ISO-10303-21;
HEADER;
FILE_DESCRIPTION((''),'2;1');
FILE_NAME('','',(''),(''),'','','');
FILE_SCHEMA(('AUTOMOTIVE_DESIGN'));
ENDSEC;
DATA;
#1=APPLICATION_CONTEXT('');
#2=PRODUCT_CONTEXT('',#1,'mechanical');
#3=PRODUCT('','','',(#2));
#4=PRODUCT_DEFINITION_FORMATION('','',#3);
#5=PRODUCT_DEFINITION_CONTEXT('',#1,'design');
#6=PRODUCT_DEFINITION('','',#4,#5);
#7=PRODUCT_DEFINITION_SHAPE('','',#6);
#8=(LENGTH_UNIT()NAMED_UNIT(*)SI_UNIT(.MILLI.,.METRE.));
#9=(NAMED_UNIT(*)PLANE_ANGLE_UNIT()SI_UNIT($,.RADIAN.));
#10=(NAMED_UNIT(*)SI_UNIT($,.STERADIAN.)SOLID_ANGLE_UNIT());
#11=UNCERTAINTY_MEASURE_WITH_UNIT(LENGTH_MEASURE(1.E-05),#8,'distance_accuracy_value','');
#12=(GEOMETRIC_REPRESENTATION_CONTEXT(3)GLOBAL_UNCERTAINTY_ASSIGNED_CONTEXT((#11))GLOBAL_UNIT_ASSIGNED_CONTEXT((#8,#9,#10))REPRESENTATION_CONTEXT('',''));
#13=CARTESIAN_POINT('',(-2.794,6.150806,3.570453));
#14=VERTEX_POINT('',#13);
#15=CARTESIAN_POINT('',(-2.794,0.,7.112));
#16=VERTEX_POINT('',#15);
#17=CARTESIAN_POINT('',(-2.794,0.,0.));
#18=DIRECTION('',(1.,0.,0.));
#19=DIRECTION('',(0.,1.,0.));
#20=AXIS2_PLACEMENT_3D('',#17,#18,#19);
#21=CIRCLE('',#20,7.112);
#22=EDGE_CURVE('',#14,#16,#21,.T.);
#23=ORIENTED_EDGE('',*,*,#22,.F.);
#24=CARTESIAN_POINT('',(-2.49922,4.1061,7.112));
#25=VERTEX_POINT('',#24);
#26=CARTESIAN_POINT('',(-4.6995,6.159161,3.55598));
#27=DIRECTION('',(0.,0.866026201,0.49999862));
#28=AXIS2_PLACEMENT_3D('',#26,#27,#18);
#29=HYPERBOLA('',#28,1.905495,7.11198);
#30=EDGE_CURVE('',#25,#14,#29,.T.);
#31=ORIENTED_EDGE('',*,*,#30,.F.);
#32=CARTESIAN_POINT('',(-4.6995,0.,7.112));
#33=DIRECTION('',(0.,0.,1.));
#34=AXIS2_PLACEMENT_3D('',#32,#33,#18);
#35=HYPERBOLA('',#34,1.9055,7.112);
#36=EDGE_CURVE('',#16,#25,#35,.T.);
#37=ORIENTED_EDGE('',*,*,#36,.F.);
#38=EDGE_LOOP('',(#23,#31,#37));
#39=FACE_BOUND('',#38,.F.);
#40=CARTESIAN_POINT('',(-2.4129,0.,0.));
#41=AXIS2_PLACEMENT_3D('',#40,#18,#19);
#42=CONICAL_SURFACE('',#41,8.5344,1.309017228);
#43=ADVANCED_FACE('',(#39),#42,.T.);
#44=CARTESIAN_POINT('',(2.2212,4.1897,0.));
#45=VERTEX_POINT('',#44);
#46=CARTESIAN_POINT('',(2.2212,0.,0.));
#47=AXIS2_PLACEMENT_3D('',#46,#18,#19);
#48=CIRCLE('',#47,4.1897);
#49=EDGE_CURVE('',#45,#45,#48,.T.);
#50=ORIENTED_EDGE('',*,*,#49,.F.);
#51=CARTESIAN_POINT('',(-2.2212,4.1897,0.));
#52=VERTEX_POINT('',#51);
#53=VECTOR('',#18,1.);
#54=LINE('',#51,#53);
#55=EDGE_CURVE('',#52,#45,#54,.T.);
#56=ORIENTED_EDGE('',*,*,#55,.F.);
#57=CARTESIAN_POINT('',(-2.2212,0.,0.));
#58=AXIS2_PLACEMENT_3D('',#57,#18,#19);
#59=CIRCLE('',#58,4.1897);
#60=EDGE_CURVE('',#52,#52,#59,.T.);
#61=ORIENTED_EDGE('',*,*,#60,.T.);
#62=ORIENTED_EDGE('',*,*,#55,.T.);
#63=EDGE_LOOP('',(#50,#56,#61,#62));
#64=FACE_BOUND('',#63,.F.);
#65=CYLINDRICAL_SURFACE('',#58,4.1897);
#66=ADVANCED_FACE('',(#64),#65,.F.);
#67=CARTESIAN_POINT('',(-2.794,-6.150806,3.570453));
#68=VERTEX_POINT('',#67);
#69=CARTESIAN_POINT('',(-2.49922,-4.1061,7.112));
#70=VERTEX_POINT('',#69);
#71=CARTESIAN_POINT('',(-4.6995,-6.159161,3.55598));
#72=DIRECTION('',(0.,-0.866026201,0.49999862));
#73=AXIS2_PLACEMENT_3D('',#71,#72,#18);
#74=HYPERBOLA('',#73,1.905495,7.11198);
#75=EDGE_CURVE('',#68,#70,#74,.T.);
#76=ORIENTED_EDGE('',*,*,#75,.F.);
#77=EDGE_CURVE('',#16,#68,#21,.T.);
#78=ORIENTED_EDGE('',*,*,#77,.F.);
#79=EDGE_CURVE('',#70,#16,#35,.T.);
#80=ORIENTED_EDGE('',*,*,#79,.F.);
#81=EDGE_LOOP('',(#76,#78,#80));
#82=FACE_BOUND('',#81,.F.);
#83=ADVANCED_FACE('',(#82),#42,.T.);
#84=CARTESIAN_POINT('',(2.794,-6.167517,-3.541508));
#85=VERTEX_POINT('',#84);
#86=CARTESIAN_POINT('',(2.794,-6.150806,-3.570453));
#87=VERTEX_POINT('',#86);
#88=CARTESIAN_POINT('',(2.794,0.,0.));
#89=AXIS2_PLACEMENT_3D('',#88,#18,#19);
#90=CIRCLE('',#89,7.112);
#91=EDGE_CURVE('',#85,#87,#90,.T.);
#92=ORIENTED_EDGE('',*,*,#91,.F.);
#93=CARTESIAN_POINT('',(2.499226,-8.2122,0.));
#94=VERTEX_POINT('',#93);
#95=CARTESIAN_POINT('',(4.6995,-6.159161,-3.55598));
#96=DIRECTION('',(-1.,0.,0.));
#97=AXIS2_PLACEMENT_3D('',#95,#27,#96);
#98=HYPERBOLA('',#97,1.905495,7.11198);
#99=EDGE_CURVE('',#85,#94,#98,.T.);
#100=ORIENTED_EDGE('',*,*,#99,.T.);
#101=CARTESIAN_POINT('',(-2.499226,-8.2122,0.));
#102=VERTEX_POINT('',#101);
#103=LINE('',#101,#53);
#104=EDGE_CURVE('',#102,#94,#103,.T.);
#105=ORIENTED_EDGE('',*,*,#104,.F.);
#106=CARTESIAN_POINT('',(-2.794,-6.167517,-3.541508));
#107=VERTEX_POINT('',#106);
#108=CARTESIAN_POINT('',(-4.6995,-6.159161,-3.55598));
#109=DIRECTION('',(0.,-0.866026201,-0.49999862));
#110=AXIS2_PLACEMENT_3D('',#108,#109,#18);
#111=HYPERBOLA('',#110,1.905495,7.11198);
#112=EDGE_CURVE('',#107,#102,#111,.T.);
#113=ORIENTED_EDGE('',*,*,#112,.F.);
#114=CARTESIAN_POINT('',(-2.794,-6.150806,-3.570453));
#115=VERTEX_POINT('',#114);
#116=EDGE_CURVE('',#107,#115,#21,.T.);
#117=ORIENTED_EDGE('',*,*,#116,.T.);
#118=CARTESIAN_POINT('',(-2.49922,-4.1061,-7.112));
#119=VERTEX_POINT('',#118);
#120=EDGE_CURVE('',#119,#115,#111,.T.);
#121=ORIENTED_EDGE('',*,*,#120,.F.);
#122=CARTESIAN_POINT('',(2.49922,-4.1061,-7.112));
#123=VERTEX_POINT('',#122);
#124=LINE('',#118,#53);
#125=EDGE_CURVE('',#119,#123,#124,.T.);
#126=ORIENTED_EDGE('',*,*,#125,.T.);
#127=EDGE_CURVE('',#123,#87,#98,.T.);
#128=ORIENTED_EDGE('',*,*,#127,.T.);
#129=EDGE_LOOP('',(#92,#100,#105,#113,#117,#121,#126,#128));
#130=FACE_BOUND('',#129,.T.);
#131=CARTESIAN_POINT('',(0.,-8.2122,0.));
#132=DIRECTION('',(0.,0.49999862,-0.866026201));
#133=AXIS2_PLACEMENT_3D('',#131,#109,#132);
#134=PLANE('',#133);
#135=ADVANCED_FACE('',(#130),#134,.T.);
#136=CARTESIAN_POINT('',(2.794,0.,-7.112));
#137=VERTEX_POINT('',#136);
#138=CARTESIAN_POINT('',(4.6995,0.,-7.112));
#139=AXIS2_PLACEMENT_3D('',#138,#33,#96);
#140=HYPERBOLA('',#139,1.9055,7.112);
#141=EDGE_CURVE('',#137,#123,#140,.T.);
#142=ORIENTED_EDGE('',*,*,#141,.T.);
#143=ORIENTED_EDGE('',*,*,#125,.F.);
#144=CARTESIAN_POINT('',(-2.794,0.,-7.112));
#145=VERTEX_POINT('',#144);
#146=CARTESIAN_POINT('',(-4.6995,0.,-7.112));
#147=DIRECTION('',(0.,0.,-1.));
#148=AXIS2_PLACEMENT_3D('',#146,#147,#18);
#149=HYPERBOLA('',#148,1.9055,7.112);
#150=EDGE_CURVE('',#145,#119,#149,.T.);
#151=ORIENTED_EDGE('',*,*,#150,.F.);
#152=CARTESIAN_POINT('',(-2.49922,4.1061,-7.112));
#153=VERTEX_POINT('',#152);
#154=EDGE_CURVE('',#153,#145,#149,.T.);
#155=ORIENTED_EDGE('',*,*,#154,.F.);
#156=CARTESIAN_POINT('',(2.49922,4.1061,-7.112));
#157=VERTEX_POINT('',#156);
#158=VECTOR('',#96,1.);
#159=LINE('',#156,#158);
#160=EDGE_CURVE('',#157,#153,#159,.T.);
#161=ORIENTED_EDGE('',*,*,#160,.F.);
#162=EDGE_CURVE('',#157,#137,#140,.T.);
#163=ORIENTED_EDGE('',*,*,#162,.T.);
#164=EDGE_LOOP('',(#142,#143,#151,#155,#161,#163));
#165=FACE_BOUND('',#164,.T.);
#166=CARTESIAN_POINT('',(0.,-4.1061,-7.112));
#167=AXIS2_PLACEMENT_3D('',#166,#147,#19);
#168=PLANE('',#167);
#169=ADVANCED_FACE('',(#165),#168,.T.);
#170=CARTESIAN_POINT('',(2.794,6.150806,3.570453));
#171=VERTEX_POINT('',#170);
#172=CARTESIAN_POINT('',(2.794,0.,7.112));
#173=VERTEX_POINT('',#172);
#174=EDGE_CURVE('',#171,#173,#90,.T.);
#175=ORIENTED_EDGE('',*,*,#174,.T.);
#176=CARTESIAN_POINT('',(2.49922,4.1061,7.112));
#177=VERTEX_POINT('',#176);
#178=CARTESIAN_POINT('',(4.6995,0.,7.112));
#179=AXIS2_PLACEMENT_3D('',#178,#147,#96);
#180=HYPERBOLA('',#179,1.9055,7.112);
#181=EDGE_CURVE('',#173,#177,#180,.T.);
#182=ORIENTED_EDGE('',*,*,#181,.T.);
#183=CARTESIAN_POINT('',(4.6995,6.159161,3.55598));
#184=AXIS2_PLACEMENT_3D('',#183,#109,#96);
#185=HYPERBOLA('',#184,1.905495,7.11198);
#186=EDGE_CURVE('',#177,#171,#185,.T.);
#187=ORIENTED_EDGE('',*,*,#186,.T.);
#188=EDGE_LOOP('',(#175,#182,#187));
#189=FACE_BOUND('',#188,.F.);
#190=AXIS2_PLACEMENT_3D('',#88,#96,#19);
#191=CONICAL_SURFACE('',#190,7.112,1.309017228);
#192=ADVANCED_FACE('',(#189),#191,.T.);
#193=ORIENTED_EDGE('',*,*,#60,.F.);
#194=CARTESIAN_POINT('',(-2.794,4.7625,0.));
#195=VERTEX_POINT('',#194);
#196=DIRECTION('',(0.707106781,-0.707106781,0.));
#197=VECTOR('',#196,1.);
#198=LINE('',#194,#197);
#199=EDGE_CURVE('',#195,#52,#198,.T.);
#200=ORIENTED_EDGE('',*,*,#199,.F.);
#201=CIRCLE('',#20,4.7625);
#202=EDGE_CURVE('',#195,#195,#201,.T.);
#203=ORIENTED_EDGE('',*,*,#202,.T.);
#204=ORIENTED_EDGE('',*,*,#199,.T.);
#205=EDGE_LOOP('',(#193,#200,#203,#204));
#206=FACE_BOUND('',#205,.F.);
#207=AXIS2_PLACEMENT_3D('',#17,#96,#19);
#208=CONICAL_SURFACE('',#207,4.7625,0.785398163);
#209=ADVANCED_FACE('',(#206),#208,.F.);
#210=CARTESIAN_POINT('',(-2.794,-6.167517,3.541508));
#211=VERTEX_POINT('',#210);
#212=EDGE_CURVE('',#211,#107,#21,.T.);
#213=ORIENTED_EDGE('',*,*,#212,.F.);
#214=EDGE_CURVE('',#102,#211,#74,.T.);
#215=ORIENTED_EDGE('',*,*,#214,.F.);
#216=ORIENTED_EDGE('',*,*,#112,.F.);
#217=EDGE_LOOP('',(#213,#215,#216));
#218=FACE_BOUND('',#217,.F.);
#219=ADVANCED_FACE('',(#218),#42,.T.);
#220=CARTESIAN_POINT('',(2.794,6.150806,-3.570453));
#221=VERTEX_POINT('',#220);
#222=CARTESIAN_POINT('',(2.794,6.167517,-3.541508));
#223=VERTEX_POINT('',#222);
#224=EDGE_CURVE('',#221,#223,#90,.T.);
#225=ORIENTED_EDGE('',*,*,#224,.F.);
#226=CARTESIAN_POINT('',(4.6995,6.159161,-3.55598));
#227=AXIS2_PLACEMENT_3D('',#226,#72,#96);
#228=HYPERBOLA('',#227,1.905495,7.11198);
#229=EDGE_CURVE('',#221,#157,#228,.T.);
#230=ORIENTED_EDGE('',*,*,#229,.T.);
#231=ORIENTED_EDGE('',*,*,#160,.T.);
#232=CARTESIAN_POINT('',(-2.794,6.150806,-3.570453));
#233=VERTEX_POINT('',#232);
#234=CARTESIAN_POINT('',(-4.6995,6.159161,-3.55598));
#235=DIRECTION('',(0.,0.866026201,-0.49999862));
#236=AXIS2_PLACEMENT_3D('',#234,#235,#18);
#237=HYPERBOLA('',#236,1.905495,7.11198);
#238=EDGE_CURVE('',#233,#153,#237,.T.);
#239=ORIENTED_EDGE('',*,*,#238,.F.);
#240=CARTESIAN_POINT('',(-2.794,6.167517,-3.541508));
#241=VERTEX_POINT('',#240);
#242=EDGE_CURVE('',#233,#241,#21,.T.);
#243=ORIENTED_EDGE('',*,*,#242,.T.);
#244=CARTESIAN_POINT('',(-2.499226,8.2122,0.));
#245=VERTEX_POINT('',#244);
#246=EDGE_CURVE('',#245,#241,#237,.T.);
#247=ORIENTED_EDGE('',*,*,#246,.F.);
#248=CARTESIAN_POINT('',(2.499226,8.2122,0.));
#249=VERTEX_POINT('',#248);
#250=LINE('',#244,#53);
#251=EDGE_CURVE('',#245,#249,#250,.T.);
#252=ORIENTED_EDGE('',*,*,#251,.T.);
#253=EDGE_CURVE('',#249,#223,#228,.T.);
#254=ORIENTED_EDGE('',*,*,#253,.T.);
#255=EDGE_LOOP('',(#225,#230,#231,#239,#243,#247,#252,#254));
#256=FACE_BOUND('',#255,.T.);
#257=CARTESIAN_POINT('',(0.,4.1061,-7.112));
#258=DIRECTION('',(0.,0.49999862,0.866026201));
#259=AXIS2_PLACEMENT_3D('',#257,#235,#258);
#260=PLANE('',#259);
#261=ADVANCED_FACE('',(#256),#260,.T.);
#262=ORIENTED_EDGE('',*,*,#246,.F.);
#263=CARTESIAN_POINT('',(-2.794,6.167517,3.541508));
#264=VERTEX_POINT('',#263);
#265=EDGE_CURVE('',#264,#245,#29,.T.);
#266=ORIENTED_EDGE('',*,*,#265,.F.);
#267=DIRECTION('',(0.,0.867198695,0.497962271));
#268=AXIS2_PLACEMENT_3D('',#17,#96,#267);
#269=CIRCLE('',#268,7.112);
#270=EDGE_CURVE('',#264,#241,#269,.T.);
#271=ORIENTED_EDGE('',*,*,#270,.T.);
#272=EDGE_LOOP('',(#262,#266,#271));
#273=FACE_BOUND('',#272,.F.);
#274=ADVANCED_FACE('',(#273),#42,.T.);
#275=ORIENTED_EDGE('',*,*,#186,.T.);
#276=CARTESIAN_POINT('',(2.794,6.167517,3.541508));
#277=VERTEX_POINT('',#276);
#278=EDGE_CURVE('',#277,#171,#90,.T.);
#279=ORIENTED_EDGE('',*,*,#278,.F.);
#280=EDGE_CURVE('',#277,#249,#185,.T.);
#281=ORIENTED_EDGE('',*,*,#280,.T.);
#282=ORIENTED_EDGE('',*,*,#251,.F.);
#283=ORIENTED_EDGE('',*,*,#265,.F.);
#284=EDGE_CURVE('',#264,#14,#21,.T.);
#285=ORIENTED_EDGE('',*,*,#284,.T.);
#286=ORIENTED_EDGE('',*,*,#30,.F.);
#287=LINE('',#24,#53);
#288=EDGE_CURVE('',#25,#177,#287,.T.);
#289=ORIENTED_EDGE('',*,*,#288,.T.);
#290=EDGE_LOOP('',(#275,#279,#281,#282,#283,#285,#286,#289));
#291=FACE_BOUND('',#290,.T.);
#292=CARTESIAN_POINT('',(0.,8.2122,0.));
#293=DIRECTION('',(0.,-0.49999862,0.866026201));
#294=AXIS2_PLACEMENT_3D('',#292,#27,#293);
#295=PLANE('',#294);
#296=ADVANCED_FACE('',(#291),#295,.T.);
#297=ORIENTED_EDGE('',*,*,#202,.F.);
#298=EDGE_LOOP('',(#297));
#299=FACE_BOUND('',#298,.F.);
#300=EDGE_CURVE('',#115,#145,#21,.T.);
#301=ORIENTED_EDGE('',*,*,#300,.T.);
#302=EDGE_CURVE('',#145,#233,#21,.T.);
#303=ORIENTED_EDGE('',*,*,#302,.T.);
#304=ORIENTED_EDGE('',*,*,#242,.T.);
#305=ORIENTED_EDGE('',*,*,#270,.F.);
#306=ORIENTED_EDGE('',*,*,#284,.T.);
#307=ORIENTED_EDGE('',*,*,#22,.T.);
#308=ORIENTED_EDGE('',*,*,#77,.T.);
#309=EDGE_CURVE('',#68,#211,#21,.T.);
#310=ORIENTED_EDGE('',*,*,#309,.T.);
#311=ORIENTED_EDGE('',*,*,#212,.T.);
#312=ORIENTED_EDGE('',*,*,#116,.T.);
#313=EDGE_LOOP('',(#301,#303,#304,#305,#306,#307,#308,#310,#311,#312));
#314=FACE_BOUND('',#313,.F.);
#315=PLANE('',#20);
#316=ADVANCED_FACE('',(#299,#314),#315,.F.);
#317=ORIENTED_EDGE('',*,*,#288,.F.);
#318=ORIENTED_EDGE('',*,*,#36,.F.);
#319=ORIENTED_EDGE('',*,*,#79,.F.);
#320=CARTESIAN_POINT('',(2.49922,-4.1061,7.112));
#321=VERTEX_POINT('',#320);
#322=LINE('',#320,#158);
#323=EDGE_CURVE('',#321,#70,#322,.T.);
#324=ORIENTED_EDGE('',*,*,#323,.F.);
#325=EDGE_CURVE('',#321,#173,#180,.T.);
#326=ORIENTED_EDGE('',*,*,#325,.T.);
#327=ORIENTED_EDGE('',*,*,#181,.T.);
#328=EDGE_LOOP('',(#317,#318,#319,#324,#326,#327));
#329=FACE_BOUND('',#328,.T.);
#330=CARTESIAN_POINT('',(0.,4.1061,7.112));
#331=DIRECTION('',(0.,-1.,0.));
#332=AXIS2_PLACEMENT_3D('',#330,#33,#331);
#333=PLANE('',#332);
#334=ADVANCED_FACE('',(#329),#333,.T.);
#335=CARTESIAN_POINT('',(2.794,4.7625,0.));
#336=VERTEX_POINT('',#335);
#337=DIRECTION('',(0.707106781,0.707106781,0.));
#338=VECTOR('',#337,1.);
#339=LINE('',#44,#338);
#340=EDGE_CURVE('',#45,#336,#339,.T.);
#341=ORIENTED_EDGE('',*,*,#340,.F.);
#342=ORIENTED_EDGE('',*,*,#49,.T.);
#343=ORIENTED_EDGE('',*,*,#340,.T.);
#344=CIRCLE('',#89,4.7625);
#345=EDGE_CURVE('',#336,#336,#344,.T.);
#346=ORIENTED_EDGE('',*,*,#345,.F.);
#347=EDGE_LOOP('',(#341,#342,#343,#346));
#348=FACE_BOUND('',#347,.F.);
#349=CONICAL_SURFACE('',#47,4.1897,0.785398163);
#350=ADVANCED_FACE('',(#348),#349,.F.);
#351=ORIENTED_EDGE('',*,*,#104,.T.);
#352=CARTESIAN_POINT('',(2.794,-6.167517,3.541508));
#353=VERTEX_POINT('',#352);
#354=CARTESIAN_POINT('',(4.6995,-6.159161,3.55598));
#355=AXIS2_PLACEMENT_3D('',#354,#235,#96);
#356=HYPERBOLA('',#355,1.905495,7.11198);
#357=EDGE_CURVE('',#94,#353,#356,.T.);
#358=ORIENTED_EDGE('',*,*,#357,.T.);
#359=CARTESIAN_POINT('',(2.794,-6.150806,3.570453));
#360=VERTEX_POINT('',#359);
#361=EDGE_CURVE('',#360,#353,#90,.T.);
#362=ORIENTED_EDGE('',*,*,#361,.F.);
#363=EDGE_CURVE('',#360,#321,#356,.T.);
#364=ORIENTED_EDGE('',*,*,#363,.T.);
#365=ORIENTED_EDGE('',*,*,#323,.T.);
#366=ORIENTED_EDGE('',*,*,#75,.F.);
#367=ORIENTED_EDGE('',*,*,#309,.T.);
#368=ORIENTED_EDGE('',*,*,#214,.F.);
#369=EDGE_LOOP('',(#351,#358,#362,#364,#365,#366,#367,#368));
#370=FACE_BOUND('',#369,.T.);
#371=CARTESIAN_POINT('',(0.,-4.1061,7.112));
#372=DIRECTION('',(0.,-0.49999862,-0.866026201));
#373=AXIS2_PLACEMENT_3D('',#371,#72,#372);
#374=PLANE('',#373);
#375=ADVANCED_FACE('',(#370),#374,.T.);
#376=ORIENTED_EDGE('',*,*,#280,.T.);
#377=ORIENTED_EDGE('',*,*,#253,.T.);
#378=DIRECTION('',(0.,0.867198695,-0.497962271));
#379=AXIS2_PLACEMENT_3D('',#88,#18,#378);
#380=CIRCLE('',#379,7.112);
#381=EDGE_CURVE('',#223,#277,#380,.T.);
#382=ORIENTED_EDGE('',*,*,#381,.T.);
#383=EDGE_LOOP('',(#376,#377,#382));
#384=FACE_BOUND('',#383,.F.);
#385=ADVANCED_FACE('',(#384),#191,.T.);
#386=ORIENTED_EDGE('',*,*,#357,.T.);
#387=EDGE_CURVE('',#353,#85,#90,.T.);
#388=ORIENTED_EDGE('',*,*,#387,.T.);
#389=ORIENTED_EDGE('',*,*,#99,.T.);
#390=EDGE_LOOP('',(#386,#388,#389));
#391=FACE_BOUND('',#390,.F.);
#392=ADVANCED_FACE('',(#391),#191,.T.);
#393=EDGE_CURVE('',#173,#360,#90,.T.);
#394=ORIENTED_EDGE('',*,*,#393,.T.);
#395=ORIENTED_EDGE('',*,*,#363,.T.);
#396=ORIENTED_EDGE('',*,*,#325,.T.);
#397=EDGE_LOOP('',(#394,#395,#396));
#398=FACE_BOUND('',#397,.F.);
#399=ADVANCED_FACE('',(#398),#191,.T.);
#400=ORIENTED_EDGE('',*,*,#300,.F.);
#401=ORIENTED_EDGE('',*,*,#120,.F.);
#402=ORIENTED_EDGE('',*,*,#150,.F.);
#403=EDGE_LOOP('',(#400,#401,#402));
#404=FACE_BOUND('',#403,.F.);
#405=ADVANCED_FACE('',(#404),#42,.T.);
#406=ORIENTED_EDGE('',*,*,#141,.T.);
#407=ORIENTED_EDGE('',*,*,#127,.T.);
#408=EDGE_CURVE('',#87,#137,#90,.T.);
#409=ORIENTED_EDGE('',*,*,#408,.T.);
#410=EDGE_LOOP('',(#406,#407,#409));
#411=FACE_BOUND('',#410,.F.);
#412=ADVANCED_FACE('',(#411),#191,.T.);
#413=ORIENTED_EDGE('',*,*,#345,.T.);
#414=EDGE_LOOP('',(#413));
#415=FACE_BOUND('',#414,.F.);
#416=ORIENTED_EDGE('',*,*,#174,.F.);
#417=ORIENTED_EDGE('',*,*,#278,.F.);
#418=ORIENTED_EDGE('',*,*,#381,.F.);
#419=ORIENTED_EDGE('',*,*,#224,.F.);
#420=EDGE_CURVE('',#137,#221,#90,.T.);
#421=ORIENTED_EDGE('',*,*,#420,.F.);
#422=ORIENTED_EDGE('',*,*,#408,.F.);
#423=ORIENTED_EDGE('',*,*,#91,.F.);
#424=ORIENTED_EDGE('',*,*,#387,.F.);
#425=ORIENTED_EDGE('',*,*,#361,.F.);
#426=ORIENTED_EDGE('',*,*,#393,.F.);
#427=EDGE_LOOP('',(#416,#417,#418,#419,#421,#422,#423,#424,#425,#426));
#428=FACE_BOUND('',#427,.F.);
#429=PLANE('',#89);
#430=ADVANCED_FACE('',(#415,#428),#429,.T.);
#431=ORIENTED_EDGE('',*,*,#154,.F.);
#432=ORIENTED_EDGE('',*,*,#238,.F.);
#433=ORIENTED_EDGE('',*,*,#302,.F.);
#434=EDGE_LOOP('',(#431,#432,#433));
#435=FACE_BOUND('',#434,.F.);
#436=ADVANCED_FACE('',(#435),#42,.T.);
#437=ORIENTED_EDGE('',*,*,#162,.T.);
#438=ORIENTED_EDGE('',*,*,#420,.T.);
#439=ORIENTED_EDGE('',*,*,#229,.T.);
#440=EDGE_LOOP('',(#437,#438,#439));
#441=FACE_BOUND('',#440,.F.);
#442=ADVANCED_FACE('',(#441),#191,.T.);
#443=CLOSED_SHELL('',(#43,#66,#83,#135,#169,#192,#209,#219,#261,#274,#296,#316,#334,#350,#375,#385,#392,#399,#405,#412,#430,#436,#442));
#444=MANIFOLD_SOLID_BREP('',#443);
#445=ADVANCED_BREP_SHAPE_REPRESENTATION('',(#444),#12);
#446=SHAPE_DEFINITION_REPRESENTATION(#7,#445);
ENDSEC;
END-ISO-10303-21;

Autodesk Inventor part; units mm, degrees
sketch "Sketch_1" plane through (0, 0, 0) normal (0, 0, 1) x (1, 0, 0)
  line L0 (2.794, 0) -> (-2.794, 0)
  line L1 (-2.794, 4.7625) -> (-2.2212, 4.1897)
  line L2 (-2.2212, 4.1897) -> (2.2212, 4.1897)
  line L3 (2.2212, 4.1897) -> (2.794, 4.7625)
  line L4 (2.794, 4.7625) -> (2.794, 7.112)
  line L5 (2.794, 7.112) -> (2.4129, 8.5344)
  line L6 (2.4129, 8.5344) -> (-2.4129, 8.5344)
  line L7 (-2.4129, 8.5344) -> (-2.794, 7.112)
  line L8 (-2.794, 7.112) -> (-2.794, 4.7625)
revolve "Revolution1" add sketch "Sketch_1" angle 360 about axis through (2.794, 0, 0) along (1, 0, 0)
thread "Thread1" size "3/8-24 UNF" class "2B" standard "ANSI Unified Screw Threads" full length
sketch "Sketch_2" plane through (0, 0, 0) normal (1, 0, 0) x (0, 1, 0)
  circle A0 centre (0, 0) radius 14.224
  line L0 (-4.1061, 7.112) -> (-8.2122, 0)
  line L1 (-8.2122, 0) -> (-4.1061, -7.112)
  line L2 (-4.1061, -7.112) -> (4.1061, -7.112)
  line L3 (4.1061, -7.112) -> (8.2122, 0)
  line L4 (8.2122, 0) -> (4.1061, 7.112)
  line L5 (4.1061, 7.112) -> (-4.1061, 7.112)
extrude "Extrusion1" cut sketch "Sketch_2" along normal mid plane 11.176
ref_plane "h1_XY" through (0, 0, 7.112) normal (1, 0, 0) x (0, 0, -1)
ref_plane "h1_YZ" through (0, 0, 7.112) normal (0, 0, -1) x (0, 1, 0)
ref_plane "h1_ZX" through (0, 0, 7.112) normal (0, 1, 0) x (1, 0, 0)
ref_plane "h2_XY" through (0, 0, -7.112) normal (1, 0, 0) x (0, 0, -1)
ref_plane "h2_YZ" through (0, 0, -7.112) normal (0, 0, -1) x (0, 1, 0)
ref_plane "h2_ZX" through (0, 0, -7.112) normal (0, 1, 0) x (1, 0, 0)
ref_plane "j1_XY" through (-2.794, 0, 0) normal (0, 0, 1) x (1, 0, 0)
ref_plane "j1_YZ" through (-2.794, 0, 0) normal (1, 0, 0) x (0, 1, 0)
ref_plane "j1_ZX" through (-2.794, 0, 0) normal (0, 1, 0) x (0, 0, 1)
ref_plane "j2_XY" through (2.794, 0, 0) normal (0, 0, 1) x (1, 0, 0)
ref_plane "j2_YZ" through (2.794, 0, 0) normal (1, 0, 0) x (0, 1, 0)
ref_plane "j2_ZX" through (2.794, 0, 0) normal (0, 1, 0) x (0, 0, 1)
ref_plane "jam_nut_XY" through (0, 0, 0) normal (1, 0, 0) x (0, 0, -1)
ref_plane "jam_nut_YZ" through (0, 0, 0) normal (0, 0, -1) x (0, 1, 0)
ref_plane "jam_nut_ZX" through (0, 0, 0) normal (0, 1, 0) x (1, 0, 0)
ref_plane "t1_XY" through (0, 0, 4.7625) normal (1, 0, 0) x (0, 0, -1)
ref_plane "t1_YZ" through (0, 0, 4.7625) normal (0, 0, -1) x (0, 1, 0)
ref_plane "t1_ZX" through (0, 0, 4.7625) normal (0, 1, 0) x (1, 0, 0)
ref_plane "t2_XY" through (0, 0, -4.7625) normal (1, 0, 0) x (0, 0, -1)
ref_plane "t2_YZ" through (0, 0, -4.7625) normal (0, 0, -1) x (0, 1, 0)
ref_plane "t2_ZX" through (0, 0, -4.7625) normal (0, 1, 0) x (1, 0, 0)
properties part number "D-801" material "Steel, Carbon"
